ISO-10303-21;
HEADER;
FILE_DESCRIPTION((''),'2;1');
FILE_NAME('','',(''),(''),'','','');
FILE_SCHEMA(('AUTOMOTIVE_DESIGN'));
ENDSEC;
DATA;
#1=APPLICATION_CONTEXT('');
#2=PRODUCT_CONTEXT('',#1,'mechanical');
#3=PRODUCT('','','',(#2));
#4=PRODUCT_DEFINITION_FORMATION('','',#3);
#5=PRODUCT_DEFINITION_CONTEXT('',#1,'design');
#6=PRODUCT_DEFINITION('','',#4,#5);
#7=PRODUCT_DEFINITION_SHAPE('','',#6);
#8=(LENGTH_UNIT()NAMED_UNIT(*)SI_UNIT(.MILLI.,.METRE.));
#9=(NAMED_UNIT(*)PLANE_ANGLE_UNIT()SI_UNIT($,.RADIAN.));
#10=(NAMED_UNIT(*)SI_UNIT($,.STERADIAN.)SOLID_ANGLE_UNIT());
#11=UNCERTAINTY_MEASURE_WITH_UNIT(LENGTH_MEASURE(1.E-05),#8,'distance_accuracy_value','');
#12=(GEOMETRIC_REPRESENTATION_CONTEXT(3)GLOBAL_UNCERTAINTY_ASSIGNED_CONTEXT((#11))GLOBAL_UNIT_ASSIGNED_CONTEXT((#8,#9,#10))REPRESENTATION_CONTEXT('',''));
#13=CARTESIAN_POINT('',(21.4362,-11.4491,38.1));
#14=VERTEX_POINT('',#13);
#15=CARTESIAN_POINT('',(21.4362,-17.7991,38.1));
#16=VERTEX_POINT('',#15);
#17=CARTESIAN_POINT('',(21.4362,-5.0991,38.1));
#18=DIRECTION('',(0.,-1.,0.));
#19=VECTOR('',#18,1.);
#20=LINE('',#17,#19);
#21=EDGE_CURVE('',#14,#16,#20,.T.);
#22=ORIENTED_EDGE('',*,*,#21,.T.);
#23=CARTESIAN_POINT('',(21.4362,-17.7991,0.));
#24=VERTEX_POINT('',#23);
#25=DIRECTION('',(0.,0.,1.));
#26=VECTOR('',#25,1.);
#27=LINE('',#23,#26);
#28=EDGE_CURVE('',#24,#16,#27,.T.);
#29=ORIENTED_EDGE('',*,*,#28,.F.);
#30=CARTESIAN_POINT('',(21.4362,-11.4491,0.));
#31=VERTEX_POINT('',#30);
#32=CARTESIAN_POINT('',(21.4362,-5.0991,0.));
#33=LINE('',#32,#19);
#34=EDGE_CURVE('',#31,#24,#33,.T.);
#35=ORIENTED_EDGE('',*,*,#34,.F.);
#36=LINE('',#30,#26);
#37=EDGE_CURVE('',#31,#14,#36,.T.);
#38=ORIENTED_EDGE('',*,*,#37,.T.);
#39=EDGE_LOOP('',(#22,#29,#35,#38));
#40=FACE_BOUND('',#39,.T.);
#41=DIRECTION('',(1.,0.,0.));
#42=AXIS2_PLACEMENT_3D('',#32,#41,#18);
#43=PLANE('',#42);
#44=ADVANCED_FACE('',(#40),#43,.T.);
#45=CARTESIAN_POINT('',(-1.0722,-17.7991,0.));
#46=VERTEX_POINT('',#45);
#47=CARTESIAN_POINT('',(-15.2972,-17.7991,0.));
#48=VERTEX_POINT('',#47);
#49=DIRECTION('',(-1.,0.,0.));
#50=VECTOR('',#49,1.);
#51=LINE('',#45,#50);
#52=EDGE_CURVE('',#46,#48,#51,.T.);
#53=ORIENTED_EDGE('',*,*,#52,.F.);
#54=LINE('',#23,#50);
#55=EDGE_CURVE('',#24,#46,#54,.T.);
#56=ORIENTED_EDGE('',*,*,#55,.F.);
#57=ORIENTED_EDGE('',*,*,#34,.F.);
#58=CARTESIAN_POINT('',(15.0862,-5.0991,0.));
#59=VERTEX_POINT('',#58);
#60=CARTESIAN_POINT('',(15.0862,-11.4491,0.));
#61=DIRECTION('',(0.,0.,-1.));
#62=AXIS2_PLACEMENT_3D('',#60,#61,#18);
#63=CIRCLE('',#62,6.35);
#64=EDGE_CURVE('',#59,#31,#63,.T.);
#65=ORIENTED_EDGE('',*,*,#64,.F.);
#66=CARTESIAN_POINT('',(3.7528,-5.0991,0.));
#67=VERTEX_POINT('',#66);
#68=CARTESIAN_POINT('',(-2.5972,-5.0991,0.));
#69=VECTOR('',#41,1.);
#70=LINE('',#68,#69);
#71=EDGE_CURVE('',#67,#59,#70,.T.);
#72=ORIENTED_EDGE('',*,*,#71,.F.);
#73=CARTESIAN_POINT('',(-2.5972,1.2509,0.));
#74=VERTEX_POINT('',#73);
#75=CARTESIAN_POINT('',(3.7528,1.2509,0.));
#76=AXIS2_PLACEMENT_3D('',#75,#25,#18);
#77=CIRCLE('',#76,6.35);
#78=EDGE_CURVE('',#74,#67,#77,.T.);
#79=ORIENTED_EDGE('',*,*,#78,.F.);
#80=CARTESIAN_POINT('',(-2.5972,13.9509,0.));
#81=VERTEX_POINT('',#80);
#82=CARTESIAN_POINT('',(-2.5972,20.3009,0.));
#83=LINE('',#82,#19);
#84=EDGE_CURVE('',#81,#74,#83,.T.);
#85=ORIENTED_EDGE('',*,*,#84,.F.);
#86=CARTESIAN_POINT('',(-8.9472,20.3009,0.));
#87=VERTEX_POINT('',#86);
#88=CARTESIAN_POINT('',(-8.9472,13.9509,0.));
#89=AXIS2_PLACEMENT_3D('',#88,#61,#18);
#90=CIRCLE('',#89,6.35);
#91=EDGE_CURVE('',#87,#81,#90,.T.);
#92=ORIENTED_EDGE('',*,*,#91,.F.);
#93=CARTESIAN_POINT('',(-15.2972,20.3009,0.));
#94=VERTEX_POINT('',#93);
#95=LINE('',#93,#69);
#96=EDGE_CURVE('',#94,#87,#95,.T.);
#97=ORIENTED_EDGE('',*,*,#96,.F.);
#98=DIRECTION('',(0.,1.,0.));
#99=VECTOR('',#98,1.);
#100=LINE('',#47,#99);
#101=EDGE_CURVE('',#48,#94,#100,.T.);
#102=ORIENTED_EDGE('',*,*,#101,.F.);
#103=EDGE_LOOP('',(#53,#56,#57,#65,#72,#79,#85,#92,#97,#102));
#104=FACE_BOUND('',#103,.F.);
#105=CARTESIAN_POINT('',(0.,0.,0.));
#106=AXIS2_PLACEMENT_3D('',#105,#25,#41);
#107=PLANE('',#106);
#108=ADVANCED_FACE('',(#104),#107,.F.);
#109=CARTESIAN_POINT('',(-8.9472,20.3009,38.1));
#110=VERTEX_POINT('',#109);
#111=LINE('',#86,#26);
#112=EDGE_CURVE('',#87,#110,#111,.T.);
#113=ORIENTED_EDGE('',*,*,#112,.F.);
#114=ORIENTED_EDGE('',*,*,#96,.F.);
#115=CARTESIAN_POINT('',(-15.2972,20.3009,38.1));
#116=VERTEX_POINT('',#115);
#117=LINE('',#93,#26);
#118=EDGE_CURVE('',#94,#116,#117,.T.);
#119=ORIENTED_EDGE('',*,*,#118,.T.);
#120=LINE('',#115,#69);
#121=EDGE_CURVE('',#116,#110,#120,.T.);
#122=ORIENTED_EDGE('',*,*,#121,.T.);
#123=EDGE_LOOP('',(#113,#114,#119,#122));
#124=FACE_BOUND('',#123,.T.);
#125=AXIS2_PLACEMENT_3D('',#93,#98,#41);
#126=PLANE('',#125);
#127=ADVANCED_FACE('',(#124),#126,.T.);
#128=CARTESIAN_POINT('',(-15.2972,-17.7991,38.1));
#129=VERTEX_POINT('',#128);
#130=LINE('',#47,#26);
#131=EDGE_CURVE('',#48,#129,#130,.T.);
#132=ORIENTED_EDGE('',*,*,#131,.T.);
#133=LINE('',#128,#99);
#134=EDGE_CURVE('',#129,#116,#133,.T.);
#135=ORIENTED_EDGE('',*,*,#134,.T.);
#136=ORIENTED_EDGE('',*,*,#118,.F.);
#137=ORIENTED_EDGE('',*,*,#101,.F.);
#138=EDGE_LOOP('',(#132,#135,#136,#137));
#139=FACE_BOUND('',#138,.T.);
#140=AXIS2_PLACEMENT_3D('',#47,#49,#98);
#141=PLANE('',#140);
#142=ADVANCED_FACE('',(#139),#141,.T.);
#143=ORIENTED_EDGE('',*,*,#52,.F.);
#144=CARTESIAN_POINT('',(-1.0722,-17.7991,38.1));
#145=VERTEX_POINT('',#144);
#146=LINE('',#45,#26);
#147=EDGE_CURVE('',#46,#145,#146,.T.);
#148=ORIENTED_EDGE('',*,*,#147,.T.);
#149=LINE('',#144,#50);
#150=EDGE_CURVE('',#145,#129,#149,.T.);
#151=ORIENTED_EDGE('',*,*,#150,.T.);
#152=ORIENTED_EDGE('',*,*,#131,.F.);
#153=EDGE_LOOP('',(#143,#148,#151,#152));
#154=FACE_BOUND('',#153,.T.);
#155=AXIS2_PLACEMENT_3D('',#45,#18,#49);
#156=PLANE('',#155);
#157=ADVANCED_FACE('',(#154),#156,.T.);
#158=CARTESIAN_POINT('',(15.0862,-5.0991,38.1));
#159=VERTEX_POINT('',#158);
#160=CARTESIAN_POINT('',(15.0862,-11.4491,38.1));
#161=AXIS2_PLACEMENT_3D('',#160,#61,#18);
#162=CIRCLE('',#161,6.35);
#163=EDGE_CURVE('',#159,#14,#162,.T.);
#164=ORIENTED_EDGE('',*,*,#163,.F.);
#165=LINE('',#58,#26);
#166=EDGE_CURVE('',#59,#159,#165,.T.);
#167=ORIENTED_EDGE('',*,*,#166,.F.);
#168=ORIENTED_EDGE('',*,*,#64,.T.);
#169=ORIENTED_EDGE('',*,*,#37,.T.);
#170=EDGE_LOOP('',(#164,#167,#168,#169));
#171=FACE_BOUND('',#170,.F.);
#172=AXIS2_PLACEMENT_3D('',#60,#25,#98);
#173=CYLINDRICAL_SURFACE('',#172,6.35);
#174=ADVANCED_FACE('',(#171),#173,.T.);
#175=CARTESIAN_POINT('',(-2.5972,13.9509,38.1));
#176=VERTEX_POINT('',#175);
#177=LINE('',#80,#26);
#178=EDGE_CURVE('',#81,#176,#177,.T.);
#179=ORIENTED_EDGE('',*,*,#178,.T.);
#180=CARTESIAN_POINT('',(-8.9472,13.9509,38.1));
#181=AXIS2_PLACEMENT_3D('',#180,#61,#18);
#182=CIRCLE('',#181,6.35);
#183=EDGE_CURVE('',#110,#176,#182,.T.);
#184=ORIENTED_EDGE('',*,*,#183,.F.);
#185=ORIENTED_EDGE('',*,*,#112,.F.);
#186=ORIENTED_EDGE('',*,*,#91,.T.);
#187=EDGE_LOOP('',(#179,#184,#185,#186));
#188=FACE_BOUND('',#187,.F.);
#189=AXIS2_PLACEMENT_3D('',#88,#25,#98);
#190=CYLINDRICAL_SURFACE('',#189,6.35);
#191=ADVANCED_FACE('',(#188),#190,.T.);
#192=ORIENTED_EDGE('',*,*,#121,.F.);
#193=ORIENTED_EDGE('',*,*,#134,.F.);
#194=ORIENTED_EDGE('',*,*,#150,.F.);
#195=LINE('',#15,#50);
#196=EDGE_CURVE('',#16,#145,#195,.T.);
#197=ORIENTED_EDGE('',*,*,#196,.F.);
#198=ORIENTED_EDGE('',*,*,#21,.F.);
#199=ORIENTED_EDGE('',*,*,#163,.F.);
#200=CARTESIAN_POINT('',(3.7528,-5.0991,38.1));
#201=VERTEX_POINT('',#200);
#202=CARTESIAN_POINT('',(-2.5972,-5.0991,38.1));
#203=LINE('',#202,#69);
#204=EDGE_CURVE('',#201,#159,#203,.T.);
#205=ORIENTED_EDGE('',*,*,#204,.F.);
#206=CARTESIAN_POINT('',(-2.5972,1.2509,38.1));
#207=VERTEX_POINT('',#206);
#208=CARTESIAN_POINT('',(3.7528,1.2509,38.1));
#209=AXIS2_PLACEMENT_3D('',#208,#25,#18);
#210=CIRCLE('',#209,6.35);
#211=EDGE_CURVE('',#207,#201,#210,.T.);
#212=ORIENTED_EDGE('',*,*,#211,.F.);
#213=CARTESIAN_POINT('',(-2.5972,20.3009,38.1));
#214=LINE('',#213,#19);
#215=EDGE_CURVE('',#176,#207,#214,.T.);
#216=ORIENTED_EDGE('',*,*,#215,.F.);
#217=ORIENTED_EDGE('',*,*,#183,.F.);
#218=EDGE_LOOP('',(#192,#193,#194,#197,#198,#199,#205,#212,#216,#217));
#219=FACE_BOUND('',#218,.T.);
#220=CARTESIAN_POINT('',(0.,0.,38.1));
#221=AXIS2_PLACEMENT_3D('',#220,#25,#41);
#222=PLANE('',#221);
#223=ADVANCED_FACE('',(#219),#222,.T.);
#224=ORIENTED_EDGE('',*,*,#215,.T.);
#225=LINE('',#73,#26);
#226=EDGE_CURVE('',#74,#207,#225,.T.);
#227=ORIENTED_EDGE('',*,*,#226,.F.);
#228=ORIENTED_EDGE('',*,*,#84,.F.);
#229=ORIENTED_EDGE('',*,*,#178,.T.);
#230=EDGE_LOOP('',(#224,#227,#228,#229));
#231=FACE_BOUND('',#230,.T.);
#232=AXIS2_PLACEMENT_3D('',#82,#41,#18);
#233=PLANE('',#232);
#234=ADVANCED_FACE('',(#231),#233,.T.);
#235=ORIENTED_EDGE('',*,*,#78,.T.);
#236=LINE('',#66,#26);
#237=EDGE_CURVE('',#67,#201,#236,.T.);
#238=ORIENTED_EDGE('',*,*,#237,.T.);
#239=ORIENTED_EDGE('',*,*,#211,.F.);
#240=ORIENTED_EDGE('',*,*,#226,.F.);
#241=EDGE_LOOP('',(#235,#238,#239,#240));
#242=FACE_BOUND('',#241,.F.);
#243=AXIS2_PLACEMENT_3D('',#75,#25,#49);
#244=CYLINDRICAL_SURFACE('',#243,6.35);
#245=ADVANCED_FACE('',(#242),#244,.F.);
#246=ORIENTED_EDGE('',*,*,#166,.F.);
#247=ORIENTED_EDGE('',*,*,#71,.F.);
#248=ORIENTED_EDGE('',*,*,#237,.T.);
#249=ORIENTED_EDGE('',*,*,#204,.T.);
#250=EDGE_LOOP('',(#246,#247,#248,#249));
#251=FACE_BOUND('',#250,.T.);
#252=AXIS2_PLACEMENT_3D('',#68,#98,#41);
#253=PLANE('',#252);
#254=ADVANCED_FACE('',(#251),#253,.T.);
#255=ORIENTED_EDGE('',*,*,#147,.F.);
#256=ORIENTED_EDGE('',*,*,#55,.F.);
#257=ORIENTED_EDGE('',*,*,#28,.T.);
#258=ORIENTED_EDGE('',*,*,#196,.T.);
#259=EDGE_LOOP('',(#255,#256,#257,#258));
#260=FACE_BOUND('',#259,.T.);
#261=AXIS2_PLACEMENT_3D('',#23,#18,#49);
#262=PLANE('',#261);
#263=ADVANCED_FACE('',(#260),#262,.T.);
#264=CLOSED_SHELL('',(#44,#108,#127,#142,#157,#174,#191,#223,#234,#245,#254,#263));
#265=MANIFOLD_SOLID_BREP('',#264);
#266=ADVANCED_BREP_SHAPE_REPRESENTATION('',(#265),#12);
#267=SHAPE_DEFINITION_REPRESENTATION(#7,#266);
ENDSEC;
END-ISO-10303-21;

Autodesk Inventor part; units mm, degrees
ref_plane "YZ Plane" through (0, 0, 0) normal (1, 0, 0) x (0, 1, 0)
ref_plane "XZ Plane" through (0, 0, 0) normal (0, 1, 0) x (-1, 0, 0)
ref_plane "XY Plane" through (0, 0, 0) normal (0, 0, 1) x (1, 0, 0)
sketch "Sketch1" plane through (0, 0, 0) normal (0, 0, 1) x (1, 0, 0)
  line L0 (-15.2972, 20.3009) -> (-2.5972, 20.3009)
  line L1 (-2.5972, 20.3009) -> (-2.5972, -5.0991)
  line L2 (-1.0722, -17.7991) -> (-15.2972, -17.7991)
  line L3 (-15.2972, -17.7991) -> (-15.2972, 20.3009)
  line L4 (-2.5972, -5.0991) -> (21.4362, -5.0991)
  line L5 (21.4362, -5.0991) -> (21.4362, -17.7991)
  line L6 (21.4362, -17.7991) -> (-1.0722, -17.7991)
  point P0 (0, 0)
  dimension "d0" = 38.1
  dimension "d1" = 12.7
  dimension "d2" = 25.4
extrude "Extrusion1" add sketch "Sketch1" along normal blind 38.1
fillet "Fillet3" radius 6.35 3 edges at (-2.5972, 20.3009, 19.05) (-2.5972, -5.0991, 19.05) (21.4362, -5.0991, 19.05)
properties part number "FilletAngle"
